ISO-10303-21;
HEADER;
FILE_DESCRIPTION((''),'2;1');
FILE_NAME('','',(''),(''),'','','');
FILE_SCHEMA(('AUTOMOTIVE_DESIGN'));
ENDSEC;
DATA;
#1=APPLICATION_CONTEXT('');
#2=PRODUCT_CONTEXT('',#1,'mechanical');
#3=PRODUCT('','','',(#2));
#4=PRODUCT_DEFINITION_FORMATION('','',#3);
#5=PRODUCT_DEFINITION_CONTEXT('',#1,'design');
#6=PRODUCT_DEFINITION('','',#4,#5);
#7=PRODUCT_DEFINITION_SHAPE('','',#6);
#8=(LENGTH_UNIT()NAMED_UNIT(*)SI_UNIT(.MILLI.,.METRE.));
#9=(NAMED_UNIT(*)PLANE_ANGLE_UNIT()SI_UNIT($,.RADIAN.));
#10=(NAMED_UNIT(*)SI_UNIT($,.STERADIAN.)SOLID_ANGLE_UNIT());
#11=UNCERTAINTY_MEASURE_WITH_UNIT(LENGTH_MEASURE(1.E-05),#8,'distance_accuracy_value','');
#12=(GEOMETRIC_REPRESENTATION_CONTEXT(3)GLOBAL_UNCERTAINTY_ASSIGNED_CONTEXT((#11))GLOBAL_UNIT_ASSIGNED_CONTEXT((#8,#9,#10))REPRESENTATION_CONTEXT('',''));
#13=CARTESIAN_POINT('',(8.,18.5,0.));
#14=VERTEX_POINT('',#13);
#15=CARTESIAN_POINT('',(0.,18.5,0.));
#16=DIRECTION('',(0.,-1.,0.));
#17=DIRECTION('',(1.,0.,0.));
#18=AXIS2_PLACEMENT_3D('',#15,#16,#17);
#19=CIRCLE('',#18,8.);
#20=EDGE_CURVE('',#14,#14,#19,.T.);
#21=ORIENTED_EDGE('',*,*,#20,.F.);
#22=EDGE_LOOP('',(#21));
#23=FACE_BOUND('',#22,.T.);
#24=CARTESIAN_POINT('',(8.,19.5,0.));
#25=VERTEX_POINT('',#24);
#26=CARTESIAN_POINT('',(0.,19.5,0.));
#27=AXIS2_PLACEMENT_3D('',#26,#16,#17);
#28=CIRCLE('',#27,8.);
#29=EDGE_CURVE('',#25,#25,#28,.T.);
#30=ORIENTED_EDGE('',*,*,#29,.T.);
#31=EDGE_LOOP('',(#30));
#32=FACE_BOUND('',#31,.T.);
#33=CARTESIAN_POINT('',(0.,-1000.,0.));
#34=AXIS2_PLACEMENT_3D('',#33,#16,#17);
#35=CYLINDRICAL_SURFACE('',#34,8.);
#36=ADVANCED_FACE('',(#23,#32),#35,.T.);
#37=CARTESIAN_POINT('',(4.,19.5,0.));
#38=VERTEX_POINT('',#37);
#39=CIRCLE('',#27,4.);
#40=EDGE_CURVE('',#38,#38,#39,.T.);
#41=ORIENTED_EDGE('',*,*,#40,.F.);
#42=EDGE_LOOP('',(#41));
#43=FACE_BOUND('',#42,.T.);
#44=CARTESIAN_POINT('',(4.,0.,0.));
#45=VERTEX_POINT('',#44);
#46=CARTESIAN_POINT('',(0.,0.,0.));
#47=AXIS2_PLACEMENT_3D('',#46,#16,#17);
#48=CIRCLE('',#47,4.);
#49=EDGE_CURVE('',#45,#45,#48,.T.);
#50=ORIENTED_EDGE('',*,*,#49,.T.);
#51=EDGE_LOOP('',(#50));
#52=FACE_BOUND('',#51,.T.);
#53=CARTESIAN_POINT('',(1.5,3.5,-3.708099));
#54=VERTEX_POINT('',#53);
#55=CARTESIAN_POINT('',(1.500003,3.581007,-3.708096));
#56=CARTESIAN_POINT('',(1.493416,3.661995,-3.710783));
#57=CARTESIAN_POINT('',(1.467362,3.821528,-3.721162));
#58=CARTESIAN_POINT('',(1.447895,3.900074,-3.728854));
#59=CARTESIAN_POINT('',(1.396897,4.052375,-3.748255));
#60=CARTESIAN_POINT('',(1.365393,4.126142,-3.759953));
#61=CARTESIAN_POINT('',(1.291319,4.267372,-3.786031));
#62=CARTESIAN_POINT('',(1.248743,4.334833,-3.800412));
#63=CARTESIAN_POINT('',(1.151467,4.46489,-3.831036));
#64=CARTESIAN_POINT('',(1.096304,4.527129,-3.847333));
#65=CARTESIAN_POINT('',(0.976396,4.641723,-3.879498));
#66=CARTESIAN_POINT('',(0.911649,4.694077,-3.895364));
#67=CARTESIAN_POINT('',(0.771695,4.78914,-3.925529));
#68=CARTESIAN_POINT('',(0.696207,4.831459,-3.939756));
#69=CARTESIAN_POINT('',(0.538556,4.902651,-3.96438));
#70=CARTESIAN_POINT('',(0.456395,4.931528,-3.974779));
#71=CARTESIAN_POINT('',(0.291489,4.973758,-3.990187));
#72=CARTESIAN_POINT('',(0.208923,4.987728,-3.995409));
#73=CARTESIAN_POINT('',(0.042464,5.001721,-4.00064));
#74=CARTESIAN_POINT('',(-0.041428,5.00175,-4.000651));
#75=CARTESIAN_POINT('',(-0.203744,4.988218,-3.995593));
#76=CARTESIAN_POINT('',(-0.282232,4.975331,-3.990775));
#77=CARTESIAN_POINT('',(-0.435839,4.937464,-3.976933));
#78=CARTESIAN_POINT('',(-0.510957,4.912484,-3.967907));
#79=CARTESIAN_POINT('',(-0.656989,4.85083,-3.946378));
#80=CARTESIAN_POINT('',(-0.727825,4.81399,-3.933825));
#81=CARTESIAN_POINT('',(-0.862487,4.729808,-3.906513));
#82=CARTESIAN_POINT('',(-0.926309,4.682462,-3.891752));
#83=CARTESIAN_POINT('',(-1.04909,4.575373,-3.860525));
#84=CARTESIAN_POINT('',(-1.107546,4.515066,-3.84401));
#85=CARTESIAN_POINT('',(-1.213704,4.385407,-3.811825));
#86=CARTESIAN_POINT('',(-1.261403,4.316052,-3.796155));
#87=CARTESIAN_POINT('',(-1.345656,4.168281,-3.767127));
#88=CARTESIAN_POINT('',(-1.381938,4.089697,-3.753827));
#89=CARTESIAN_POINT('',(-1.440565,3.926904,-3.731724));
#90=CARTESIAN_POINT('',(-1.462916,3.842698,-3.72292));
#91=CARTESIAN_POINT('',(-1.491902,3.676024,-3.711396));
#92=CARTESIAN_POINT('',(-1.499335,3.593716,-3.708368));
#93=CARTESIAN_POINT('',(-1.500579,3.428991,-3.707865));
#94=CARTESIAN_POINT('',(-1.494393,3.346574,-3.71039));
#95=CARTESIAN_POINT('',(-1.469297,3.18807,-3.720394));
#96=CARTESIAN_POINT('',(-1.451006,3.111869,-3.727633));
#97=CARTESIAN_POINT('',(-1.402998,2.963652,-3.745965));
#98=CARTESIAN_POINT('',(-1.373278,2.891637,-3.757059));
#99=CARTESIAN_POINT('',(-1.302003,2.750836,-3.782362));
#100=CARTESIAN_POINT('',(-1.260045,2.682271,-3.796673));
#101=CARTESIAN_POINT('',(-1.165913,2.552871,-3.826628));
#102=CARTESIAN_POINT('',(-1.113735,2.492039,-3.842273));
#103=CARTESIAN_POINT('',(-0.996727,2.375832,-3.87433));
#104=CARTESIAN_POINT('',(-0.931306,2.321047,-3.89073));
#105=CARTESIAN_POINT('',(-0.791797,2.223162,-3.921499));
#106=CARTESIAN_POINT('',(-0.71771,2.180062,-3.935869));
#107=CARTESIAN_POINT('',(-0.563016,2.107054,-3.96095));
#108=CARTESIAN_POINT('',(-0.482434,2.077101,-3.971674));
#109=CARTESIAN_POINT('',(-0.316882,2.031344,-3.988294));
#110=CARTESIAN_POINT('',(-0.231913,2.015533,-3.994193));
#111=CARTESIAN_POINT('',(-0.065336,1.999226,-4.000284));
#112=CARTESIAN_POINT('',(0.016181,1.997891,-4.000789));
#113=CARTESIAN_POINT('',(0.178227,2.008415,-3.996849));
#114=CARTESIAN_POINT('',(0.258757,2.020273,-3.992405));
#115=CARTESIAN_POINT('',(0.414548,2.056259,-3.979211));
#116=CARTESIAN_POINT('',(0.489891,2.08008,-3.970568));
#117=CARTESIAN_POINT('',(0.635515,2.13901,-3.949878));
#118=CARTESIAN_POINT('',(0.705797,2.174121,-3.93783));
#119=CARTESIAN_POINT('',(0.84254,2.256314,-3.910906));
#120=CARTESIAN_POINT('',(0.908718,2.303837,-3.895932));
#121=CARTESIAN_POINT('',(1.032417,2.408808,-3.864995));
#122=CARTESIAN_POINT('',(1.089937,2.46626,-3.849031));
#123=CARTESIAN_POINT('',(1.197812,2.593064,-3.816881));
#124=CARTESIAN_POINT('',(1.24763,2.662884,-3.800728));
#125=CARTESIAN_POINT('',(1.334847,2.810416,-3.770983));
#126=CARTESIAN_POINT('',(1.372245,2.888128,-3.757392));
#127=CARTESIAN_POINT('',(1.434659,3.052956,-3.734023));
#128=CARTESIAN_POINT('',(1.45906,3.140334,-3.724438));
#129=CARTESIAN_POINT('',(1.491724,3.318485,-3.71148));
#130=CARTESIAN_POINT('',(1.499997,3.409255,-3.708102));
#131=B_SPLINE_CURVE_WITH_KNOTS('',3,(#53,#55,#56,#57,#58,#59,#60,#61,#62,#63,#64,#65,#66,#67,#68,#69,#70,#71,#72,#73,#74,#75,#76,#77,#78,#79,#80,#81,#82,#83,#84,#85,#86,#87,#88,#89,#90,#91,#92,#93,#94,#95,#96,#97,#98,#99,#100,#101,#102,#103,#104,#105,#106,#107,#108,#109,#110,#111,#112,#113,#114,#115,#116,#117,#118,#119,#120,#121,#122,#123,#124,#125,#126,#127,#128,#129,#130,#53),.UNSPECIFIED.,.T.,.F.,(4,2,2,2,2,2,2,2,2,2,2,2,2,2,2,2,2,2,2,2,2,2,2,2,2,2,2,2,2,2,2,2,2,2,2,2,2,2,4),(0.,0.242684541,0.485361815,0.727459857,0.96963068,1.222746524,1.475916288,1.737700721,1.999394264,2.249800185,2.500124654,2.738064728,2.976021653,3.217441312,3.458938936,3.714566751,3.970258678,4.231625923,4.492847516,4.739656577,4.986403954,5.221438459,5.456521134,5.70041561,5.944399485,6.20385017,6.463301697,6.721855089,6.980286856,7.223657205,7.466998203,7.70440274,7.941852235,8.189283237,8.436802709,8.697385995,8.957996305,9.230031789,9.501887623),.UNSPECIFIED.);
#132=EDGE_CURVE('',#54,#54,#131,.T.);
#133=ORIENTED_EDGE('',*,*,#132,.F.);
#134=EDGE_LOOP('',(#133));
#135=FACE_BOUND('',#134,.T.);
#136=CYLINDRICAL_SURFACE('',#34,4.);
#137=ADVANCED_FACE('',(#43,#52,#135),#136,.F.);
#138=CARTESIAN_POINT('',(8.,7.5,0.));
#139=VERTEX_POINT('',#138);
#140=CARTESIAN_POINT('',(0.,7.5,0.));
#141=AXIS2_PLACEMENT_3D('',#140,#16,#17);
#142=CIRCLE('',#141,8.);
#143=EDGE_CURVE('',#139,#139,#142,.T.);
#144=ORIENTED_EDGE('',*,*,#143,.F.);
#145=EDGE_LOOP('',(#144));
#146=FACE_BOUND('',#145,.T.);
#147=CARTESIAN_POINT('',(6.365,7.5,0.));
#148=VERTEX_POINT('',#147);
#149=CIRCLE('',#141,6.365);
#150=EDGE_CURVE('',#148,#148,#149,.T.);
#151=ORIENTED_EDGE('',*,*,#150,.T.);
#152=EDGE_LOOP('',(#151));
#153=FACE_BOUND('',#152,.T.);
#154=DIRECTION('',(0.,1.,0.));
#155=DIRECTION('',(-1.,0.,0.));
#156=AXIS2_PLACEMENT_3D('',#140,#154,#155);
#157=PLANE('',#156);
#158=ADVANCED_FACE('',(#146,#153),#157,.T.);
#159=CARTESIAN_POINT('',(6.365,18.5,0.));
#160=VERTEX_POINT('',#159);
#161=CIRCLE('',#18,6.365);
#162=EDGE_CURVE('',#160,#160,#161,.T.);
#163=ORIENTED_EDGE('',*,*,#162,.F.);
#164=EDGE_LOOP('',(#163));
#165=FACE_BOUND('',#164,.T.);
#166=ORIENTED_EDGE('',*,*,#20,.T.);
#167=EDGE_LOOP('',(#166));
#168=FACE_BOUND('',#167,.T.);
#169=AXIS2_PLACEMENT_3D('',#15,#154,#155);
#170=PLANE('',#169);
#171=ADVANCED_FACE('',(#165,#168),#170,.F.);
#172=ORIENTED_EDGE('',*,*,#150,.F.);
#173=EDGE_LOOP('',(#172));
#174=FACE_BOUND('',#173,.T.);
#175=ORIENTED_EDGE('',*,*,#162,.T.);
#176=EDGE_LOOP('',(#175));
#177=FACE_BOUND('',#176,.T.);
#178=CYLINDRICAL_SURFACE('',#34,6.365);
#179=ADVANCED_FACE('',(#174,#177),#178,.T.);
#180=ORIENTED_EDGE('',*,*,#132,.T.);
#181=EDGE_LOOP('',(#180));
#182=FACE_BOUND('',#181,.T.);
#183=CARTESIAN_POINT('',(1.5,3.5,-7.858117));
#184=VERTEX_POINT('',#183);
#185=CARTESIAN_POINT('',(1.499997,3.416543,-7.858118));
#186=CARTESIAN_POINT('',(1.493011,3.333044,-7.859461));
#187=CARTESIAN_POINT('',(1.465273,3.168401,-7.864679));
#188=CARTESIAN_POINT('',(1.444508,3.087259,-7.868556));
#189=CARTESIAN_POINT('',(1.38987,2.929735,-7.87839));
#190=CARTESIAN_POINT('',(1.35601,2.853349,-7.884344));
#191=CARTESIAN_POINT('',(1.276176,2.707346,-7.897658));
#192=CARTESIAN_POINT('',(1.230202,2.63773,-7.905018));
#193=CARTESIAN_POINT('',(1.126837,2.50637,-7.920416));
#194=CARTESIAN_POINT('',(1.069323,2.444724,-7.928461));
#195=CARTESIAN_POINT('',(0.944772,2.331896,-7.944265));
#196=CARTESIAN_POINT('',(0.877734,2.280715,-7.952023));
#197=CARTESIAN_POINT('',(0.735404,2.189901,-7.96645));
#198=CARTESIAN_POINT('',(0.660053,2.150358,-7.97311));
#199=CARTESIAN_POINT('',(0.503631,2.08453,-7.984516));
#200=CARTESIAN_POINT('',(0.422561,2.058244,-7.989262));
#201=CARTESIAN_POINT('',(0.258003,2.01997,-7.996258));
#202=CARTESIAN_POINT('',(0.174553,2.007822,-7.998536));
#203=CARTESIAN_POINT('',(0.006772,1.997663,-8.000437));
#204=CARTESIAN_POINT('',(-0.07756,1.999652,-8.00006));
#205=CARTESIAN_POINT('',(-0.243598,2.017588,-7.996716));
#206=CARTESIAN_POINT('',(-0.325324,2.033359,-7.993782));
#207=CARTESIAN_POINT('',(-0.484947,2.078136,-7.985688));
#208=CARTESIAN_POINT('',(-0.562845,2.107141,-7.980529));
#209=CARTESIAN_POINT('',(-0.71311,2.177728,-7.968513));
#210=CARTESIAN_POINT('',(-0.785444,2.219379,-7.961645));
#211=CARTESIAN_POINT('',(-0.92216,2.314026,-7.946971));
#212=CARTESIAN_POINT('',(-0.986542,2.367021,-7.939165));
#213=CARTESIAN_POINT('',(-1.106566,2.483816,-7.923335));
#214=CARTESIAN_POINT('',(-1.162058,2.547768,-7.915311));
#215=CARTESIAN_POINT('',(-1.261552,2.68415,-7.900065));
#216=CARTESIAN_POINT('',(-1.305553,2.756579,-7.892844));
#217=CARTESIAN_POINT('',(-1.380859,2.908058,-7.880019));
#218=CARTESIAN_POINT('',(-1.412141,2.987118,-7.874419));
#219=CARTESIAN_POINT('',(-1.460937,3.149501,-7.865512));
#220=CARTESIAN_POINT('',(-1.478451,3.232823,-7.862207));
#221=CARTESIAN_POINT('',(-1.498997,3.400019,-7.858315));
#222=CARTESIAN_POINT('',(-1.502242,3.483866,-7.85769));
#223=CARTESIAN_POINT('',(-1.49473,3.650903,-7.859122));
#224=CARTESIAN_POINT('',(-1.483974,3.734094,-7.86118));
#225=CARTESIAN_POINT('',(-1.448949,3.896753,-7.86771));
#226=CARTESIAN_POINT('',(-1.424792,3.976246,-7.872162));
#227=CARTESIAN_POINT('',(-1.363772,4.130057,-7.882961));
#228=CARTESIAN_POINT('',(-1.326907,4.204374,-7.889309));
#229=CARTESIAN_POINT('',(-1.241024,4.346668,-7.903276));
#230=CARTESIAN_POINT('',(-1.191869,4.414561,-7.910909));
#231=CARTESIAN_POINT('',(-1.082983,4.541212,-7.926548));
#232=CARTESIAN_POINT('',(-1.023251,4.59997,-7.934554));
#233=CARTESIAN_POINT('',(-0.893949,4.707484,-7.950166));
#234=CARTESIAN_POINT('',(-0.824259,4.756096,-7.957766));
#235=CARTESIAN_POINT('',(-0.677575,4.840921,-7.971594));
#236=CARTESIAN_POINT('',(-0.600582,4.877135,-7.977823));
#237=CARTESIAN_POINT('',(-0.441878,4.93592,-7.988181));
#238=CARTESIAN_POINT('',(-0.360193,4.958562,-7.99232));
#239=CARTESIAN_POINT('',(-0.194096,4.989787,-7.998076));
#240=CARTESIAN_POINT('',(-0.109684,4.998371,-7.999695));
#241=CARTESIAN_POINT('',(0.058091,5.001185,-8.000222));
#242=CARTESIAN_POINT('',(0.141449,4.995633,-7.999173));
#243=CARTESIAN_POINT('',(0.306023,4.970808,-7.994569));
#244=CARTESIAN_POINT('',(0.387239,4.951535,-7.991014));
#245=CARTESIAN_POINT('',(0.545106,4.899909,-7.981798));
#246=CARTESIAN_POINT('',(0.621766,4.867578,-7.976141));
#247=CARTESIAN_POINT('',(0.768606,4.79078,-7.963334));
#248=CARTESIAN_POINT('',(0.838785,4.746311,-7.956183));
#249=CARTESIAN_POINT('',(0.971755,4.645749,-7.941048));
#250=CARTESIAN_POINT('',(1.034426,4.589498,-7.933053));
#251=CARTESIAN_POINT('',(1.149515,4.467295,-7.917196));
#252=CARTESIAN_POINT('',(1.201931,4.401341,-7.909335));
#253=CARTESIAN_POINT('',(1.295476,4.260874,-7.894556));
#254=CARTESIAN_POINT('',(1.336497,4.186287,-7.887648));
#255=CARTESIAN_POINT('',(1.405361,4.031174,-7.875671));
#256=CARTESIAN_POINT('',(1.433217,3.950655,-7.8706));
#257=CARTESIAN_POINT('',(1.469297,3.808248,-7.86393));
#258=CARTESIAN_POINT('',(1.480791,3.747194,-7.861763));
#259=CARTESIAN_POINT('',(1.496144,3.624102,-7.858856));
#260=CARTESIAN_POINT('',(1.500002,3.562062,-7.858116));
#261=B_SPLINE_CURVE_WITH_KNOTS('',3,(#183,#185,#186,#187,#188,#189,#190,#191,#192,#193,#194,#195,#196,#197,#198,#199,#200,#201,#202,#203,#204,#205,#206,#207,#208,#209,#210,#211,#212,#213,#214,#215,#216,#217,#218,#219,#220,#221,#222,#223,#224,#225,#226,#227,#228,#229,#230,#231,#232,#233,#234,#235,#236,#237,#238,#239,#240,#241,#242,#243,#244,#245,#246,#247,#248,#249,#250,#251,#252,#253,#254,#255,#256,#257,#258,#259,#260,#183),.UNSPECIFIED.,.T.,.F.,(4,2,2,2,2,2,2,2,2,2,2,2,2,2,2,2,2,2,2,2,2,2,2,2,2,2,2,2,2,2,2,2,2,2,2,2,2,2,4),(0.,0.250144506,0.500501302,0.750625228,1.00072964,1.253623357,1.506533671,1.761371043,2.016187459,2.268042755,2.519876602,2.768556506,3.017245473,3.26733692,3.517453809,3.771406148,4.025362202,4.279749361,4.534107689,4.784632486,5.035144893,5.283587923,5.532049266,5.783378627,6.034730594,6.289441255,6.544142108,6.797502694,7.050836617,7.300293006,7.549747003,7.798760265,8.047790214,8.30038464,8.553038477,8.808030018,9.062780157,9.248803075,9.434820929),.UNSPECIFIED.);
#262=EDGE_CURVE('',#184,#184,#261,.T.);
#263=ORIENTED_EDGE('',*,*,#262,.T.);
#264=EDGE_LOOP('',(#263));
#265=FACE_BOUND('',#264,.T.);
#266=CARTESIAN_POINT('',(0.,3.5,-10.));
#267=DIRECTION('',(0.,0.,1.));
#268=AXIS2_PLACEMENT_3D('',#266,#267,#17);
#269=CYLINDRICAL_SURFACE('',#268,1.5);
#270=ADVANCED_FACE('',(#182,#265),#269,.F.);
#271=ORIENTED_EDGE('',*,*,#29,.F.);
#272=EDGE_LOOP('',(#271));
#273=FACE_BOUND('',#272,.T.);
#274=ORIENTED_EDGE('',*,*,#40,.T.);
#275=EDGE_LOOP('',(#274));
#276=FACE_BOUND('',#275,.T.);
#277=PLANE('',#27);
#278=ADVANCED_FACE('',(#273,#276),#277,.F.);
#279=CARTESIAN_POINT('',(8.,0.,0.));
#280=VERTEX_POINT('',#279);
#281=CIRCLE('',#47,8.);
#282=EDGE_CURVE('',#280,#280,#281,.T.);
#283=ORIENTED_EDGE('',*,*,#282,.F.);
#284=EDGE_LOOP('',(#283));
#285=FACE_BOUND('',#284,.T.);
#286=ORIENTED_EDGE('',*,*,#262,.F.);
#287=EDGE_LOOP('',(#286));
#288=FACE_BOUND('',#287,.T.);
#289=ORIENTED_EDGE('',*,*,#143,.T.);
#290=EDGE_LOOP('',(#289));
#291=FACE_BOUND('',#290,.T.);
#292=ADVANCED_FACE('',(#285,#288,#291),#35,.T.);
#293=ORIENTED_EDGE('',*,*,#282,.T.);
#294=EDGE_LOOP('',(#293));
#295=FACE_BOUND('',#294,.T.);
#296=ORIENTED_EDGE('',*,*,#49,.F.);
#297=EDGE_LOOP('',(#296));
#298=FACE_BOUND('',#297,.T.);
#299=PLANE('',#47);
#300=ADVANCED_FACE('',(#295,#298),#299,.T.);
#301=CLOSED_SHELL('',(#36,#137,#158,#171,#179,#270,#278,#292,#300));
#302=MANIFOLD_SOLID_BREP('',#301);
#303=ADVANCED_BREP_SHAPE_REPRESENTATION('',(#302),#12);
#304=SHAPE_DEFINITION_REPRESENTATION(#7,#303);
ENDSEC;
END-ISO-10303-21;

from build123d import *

# Parameters (mm, degrees)
SKETCH_2_R          = 1.5
CUT_EXTRUDE_1_DEPTH = 10


with BuildPart() as part:
    # Эскиз1 → Повернуть1 (revolve)
    with BuildSketch(Plane.XY):
        Polygon((8, 19.5), (4, 19.5), (4, 0), (8, 0), (8, 7.5), (6.365, 7.5), (6.365, 18.5), (8, 18.5), align=None)
    revolve(axis=Axis((0, -1000, 0), (0, 1, 0)))

    # Эскиз2 → Вырез-Вытянуть1 (cut)
    with BuildSketch(Plane.XY):
        with Locations((0, 3.5)):
            Circle(SKETCH_2_R)
    extrude(amount=-CUT_EXTRUDE_1_DEPTH, mode=Mode.SUBTRACT)


solid = part.part
